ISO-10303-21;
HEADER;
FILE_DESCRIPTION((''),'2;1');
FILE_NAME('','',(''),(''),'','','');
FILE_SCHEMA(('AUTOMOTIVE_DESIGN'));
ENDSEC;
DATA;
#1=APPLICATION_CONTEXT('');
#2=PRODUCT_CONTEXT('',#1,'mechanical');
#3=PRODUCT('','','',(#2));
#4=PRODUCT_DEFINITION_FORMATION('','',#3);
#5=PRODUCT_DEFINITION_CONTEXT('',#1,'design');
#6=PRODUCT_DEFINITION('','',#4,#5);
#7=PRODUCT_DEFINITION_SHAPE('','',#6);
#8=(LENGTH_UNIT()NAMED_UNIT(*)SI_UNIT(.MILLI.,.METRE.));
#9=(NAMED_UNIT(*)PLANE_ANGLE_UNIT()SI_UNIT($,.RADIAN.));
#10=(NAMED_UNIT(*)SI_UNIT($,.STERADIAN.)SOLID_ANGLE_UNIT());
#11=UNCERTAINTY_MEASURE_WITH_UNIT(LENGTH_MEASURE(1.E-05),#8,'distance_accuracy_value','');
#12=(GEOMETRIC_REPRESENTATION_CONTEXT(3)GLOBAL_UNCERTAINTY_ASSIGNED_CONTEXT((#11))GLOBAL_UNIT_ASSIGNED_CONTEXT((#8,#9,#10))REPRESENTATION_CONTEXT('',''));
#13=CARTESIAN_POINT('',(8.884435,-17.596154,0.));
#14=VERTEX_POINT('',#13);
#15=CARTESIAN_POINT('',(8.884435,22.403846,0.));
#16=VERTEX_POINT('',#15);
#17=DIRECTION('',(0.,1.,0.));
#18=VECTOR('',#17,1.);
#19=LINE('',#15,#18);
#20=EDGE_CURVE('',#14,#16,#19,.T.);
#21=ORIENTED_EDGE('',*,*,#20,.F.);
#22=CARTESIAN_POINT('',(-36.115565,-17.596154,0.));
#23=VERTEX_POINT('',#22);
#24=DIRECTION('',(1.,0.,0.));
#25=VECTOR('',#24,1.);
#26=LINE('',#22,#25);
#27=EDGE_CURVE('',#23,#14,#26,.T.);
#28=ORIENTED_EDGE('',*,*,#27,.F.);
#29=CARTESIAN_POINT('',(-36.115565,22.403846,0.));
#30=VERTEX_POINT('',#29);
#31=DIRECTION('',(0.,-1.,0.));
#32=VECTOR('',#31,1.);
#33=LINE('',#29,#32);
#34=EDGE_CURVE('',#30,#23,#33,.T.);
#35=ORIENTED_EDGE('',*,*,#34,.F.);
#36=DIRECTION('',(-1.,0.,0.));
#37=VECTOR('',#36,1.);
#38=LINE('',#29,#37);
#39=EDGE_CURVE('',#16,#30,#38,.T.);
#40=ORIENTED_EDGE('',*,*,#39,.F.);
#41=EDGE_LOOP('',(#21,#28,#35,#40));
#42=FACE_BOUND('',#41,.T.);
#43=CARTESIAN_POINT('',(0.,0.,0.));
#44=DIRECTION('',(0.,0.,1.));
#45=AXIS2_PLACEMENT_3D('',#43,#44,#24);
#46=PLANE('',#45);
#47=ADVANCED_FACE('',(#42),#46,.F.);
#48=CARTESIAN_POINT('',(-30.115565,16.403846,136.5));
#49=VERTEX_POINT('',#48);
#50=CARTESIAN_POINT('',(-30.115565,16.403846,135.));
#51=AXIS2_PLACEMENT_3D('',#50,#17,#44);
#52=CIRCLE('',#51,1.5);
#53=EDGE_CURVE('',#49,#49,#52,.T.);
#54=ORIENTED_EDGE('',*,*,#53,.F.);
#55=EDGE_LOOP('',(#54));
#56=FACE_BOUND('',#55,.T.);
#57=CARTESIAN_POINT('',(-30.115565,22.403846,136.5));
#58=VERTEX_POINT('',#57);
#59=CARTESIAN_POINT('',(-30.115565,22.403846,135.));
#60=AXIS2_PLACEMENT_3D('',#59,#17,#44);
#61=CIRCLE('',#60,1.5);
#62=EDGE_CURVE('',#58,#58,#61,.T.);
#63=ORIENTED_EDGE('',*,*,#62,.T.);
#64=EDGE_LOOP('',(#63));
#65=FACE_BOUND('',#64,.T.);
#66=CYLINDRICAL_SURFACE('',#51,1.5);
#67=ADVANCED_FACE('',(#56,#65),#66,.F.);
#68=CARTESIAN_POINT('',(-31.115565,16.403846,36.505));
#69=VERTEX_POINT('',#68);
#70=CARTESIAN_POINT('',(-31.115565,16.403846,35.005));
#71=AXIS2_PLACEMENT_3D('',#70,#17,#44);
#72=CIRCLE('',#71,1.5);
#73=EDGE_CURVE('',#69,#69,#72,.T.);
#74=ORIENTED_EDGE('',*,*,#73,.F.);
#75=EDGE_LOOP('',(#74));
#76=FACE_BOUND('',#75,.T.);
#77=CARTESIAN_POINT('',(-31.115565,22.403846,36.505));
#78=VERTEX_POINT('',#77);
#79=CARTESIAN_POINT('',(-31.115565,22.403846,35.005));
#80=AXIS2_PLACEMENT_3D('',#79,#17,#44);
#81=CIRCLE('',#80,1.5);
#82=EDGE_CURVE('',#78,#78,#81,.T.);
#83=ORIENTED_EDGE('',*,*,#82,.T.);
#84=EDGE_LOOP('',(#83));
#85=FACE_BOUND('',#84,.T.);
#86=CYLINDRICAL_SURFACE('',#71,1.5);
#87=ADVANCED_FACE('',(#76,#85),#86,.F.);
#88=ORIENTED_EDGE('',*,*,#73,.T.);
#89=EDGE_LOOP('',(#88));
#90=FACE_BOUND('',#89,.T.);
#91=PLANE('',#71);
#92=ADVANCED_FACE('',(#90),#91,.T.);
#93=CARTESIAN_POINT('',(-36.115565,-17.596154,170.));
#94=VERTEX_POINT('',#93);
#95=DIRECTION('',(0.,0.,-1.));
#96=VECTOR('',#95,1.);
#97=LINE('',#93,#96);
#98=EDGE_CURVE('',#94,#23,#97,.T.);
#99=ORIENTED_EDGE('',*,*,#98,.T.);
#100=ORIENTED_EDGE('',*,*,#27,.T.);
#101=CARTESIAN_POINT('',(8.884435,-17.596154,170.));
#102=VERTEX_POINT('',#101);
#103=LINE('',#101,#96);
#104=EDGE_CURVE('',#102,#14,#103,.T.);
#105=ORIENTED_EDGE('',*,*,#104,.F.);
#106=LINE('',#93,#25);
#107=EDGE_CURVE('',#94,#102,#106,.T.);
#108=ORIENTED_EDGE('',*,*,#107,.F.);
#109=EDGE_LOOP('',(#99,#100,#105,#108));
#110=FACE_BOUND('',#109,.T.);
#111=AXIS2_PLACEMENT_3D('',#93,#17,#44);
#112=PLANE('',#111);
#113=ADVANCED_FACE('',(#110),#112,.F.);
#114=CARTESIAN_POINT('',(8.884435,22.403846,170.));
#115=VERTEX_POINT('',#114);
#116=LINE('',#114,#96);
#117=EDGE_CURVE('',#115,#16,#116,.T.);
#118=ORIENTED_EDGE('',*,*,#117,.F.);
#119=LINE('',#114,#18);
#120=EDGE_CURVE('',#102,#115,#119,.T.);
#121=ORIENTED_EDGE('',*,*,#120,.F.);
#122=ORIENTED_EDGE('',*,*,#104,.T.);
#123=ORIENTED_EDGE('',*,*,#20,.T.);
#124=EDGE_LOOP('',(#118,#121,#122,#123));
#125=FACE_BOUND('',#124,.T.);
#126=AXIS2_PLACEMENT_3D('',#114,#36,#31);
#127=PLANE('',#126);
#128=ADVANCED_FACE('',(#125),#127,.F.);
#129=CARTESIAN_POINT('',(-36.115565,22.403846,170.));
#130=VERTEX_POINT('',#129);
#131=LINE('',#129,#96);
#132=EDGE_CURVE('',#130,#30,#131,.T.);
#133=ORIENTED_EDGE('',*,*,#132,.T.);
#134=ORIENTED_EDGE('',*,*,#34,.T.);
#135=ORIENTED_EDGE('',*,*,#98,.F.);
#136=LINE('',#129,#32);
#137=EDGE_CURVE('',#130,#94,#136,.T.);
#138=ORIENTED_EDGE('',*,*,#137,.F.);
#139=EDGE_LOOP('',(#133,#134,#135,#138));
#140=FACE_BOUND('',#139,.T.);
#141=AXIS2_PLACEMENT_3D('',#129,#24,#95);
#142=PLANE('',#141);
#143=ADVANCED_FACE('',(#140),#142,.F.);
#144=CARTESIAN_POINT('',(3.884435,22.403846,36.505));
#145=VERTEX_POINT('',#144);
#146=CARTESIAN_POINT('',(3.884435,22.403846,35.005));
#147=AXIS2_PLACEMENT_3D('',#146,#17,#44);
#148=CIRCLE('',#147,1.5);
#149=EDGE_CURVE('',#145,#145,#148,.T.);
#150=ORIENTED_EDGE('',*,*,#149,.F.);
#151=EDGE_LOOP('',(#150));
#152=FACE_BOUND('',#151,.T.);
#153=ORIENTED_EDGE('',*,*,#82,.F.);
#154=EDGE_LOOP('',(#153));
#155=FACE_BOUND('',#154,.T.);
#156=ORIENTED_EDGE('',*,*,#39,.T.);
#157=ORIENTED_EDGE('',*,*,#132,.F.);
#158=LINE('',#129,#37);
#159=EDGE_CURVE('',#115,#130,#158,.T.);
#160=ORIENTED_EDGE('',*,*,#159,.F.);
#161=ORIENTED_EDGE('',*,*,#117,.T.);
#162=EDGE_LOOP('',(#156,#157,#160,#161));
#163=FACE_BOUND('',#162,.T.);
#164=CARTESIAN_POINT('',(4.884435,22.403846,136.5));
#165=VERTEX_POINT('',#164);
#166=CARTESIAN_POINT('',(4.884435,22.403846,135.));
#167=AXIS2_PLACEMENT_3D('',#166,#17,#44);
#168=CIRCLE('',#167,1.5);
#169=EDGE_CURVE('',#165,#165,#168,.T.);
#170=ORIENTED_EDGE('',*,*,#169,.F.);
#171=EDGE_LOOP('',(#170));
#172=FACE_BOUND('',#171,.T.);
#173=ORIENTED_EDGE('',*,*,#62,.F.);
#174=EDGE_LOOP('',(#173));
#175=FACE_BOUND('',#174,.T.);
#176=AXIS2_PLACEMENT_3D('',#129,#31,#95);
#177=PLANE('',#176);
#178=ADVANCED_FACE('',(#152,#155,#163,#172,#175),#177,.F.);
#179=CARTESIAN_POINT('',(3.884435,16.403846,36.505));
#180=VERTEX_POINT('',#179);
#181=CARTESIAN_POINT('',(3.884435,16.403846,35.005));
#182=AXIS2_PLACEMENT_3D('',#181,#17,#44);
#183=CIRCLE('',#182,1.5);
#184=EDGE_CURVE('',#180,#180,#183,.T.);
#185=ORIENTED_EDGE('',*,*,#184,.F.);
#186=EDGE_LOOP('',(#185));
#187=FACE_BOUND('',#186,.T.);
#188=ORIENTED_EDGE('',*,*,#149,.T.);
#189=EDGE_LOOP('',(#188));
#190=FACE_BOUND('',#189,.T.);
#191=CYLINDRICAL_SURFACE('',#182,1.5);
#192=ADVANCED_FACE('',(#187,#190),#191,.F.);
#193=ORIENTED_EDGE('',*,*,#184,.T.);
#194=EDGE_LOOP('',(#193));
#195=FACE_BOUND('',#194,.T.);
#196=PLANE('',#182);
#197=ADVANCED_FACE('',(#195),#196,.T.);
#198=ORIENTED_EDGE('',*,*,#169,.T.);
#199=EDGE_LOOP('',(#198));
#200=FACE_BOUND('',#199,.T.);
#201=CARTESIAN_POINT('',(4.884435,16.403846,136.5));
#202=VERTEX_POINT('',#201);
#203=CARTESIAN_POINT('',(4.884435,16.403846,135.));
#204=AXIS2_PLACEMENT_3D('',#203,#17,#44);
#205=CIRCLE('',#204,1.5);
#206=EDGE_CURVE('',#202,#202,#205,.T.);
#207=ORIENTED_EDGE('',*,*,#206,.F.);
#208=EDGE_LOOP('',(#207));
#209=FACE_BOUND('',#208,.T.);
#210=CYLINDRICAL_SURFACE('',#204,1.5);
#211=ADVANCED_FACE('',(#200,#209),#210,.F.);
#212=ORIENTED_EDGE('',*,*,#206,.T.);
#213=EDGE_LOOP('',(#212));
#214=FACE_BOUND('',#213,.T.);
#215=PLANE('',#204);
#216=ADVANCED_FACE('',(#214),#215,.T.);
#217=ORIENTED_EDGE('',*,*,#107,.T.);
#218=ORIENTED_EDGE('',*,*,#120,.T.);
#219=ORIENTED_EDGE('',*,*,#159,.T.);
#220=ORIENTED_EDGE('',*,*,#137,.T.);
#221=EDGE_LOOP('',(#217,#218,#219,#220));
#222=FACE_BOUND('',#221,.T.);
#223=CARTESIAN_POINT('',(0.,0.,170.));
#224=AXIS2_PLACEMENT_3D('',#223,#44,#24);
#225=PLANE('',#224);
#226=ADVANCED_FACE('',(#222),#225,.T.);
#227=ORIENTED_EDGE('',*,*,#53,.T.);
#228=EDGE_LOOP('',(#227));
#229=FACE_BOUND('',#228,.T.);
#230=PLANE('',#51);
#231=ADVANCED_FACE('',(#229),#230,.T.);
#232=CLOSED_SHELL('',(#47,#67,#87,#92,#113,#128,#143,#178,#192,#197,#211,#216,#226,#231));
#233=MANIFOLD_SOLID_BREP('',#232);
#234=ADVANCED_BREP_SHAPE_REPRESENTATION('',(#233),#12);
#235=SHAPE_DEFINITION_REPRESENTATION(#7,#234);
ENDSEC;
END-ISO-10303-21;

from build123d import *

# Parameters (mm, degrees)
ESQUISSE1_W             = 45
ESQUISSE1_H             = 40
BOSS_EXTRU_1_DEPTH      = 170
ESQUISSE2_R             = 1.5
ENL_V_MAT_EXTRU_1_DEPTH = 6


with BuildPart() as part:
    # Esquisse1 → Boss.-Extru.1 (new body)
    with BuildSketch(Plane.XY):
        with Locations((-13.615564763, 2.403846154)):
            Rectangle(ESQUISSE1_W, ESQUISSE1_H)
    extrude(amount=BOSS_EXTRU_1_DEPTH)

    # Esquisse2 → Enlèv. mat.-Extru.1 (cut)
    with BuildSketch(Plane(origin=(0, 22.403846154, 0), x_dir=(1, 0, 0), z_dir=(0, 1, 0))):
        with Locations((-31.115564763, -35.005000125)):
            Circle(ESQUISSE2_R)
        with Locations((3.884435237, -35.005000125)):
            Circle(ESQUISSE2_R)
        with Locations((-30.115564763, -135)):
            Circle(ESQUISSE2_R)
        with Locations((4.884435237, -135)):
            Circle(ESQUISSE2_R)
    extrude(amount=-ENL_V_MAT_EXTRU_1_DEPTH, mode=Mode.SUBTRACT)


solid = part.part
